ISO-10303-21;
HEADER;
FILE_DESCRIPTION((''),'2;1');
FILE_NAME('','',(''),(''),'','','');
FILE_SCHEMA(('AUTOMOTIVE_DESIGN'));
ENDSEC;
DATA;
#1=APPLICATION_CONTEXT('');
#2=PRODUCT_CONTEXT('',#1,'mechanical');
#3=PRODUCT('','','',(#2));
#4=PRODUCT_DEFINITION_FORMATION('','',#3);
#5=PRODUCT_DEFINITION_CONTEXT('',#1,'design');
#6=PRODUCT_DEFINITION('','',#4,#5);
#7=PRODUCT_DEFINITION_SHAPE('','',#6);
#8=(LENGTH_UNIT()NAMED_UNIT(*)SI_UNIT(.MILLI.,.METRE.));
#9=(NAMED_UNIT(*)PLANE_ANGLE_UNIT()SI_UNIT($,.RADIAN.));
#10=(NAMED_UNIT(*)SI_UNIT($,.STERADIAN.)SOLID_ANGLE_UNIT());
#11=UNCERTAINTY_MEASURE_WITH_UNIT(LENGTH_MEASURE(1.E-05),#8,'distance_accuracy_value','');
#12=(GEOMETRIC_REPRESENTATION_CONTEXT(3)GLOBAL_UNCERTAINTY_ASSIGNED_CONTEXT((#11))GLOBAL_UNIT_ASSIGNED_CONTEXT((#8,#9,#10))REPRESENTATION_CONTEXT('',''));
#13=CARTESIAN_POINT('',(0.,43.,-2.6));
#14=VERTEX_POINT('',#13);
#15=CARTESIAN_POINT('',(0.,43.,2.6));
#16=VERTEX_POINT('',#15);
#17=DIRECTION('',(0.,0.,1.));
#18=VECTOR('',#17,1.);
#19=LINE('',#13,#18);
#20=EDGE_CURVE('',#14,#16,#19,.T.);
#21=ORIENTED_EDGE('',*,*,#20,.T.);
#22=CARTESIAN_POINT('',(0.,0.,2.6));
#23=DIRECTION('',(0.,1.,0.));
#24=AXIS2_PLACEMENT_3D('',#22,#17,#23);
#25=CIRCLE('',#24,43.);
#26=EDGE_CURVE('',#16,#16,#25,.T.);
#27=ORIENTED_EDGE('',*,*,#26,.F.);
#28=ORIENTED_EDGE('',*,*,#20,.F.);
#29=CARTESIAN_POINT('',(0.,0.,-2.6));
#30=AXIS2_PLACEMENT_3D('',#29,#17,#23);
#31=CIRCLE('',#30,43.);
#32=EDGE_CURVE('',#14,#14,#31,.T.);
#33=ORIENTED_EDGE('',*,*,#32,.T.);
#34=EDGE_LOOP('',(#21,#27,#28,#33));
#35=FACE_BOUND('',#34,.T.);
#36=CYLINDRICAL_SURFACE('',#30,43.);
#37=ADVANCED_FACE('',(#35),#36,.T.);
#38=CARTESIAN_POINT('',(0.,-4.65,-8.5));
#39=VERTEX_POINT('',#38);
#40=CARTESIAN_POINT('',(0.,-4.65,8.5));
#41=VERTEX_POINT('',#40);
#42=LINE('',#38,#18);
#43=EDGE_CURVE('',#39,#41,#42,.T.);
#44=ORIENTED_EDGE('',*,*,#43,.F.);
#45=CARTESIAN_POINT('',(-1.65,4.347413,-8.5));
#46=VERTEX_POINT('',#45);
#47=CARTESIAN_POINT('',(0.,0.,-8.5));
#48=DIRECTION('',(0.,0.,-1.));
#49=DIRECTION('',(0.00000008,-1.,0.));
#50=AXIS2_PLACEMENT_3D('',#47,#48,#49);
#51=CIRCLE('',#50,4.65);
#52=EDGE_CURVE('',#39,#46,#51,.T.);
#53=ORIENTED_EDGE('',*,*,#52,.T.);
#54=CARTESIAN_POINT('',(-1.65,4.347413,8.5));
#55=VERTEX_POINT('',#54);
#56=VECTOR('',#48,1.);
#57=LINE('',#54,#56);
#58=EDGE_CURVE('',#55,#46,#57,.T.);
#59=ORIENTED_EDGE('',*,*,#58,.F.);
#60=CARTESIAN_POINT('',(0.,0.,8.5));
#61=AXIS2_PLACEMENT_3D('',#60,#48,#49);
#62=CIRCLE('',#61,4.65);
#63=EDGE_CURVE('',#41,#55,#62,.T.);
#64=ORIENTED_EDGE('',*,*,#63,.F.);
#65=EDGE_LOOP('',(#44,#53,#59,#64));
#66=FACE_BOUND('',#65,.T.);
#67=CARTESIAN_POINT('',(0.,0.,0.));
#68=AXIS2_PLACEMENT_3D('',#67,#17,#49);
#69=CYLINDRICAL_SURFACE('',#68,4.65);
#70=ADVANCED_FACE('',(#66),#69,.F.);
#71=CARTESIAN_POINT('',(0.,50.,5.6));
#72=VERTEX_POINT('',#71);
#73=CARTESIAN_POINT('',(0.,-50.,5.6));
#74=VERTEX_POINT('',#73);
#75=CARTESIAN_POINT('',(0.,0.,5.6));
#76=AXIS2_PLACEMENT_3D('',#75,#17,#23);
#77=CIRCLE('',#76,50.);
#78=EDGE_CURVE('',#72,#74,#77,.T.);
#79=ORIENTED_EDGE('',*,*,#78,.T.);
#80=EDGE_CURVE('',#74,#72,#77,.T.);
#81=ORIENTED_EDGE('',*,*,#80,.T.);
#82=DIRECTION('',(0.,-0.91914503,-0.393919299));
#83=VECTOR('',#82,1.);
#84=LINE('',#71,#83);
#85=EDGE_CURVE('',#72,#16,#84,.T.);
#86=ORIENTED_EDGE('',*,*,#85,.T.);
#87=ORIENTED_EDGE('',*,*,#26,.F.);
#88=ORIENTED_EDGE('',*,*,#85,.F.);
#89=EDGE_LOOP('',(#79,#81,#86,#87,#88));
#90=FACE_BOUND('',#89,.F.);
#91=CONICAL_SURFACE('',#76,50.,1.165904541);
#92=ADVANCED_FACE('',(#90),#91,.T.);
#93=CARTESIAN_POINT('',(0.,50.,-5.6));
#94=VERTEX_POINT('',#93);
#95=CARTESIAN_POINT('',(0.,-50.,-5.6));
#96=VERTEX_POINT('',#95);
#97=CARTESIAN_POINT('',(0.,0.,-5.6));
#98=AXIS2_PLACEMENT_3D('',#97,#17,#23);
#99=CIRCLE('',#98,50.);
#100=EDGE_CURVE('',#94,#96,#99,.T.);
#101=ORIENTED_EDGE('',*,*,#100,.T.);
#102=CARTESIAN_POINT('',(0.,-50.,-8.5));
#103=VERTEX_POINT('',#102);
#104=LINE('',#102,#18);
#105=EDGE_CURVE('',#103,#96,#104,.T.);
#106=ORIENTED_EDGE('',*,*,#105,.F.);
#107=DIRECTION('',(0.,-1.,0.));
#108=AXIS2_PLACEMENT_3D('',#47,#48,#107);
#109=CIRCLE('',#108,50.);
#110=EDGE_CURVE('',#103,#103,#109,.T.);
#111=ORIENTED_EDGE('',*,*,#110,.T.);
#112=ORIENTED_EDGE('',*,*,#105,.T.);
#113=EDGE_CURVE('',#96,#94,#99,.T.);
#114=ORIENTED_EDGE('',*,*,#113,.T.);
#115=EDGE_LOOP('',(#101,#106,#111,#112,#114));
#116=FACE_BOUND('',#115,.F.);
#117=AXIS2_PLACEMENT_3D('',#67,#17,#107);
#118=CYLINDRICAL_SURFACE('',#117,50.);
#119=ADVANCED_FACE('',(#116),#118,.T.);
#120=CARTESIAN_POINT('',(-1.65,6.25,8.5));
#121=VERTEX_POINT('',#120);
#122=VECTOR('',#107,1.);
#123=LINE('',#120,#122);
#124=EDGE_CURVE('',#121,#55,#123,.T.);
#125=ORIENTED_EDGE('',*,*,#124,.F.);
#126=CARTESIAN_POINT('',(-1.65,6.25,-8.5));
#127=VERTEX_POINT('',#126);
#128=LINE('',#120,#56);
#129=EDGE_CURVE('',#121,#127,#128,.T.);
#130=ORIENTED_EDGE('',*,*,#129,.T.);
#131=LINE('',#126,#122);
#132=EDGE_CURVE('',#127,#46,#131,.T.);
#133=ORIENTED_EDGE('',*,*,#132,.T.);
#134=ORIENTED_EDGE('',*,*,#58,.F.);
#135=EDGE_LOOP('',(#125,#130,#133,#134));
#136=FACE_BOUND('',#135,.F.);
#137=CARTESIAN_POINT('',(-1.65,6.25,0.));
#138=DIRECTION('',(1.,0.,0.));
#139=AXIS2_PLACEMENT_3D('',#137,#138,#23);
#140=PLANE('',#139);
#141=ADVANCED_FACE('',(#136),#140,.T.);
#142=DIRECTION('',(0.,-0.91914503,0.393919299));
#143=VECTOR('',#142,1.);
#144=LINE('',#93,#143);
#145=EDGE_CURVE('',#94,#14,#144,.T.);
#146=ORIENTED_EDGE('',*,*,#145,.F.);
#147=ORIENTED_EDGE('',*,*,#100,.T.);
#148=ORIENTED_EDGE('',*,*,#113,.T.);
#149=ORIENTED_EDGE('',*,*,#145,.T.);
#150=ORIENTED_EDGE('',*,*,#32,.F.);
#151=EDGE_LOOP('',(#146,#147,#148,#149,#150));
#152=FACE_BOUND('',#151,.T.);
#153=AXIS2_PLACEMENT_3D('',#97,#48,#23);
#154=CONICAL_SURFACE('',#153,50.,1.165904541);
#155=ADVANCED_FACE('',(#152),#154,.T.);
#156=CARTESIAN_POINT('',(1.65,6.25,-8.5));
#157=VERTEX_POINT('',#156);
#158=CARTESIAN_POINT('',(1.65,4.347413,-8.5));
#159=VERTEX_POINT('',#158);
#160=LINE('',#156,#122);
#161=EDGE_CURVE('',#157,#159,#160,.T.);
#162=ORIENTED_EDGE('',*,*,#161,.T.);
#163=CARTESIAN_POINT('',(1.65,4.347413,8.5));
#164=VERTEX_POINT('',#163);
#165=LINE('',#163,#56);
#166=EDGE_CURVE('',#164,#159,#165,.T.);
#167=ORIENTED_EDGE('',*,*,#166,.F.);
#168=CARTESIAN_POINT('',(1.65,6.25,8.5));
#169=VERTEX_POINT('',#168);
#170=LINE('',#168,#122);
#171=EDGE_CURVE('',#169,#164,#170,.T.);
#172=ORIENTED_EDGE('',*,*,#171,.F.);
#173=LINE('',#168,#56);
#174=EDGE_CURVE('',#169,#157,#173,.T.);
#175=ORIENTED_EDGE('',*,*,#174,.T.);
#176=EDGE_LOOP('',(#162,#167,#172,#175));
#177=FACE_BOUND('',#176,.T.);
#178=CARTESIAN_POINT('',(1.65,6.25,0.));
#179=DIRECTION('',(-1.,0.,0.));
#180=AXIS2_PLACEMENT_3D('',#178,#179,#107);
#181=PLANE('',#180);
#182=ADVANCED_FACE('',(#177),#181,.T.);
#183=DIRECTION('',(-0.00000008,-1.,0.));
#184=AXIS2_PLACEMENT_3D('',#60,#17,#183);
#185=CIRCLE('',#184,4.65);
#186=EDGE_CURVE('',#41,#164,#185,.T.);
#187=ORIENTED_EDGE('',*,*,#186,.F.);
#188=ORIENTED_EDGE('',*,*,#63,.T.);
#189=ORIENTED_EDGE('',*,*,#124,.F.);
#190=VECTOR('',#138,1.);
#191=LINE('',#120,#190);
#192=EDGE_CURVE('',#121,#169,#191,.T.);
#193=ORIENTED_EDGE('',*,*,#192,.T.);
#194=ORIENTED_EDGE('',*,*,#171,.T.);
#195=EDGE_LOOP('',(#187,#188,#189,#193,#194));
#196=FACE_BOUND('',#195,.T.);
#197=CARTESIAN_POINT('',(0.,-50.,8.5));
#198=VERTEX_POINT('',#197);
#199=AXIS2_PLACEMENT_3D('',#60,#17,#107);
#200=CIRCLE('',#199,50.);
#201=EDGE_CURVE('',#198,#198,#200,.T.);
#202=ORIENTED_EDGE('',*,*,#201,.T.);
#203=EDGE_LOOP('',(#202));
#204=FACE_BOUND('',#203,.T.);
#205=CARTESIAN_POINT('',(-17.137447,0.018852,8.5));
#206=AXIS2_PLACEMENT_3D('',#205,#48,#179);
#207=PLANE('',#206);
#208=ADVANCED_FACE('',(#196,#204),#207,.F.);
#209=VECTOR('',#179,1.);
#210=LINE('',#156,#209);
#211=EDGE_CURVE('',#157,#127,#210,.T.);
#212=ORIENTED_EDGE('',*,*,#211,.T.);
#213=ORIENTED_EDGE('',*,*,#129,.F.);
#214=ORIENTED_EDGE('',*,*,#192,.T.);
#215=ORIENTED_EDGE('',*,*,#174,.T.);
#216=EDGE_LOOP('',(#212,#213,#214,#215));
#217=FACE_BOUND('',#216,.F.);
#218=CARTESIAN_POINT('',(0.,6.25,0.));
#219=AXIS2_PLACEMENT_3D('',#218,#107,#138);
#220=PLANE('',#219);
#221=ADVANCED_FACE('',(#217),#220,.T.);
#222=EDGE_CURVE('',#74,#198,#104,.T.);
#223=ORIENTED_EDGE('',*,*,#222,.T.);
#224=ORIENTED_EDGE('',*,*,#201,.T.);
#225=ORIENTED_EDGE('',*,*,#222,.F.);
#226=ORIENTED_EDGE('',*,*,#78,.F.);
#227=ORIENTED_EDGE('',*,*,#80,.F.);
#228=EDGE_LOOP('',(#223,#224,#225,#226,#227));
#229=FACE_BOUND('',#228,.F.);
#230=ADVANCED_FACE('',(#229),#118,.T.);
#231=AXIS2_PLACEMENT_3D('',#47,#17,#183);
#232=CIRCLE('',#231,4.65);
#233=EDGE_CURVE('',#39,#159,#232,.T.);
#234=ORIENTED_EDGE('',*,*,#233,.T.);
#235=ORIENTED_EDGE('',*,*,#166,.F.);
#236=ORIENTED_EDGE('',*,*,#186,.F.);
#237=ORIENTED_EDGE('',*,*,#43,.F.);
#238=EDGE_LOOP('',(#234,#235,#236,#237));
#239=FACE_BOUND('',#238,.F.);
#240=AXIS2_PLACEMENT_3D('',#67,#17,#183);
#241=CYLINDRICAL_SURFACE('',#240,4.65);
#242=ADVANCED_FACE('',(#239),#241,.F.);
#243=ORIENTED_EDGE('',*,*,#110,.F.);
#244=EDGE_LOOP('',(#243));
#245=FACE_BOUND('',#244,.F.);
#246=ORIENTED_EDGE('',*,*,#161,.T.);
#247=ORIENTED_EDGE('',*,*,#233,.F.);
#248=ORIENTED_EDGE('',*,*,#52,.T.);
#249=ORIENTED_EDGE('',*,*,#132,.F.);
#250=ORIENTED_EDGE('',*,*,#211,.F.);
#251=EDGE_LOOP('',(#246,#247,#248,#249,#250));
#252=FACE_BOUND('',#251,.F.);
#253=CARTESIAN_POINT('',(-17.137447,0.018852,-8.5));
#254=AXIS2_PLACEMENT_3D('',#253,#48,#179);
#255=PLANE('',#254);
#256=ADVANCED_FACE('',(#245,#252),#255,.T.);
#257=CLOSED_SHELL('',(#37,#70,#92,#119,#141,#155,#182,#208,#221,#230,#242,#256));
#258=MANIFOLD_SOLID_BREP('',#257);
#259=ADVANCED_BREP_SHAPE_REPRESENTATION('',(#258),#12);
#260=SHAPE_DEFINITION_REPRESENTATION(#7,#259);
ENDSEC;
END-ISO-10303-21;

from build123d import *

# Parameters (mm, degrees)
PAD_DEPTH = 8.5


with BuildPart() as part:
    # Sketch → Pad (new body, symmetric)
    with BuildSketch(Plane.XY):
        with BuildLine():
            ThreePointArc((0, -4.65), (4.573728, -0.838758), (1.65, 4.347413))
            Line((1.65, 6.25), (1.65, 4.347413))
            Line((0, 6.25), (1.65, 6.25))
            Line((0, 50), (0, 6.25))
            ThreePointArc((0, -50), (50, 0), (0, 50))
            Line((0, -4.65), (0, -50))
        make_face()
    pad = extrude(amount=PAD_DEPTH, both=True)

    # Mirrored: Pad across Sketch V_Axis
    add(pad.mirror(Plane(origin=(0, 0, 0), x_dir=(0, 0, 1), z_dir=(1, 0, 0))))

    # Sketch001 → Groove (revolve, cut)
    with BuildSketch(Plane.YZ):
        Polygon((50, 0), (50, 5.6), (43, 2.6), (43, 0), align=None)
    groove = revolve(axis=Axis((0, 0, 0), (0, 0, 1)), mode=Mode.SUBTRACT)

    # Mirrored001: Groove across Sketch001 H_Axis
    add(groove.mirror(Plane.XY), mode=Mode.SUBTRACT)


solid = part.part
